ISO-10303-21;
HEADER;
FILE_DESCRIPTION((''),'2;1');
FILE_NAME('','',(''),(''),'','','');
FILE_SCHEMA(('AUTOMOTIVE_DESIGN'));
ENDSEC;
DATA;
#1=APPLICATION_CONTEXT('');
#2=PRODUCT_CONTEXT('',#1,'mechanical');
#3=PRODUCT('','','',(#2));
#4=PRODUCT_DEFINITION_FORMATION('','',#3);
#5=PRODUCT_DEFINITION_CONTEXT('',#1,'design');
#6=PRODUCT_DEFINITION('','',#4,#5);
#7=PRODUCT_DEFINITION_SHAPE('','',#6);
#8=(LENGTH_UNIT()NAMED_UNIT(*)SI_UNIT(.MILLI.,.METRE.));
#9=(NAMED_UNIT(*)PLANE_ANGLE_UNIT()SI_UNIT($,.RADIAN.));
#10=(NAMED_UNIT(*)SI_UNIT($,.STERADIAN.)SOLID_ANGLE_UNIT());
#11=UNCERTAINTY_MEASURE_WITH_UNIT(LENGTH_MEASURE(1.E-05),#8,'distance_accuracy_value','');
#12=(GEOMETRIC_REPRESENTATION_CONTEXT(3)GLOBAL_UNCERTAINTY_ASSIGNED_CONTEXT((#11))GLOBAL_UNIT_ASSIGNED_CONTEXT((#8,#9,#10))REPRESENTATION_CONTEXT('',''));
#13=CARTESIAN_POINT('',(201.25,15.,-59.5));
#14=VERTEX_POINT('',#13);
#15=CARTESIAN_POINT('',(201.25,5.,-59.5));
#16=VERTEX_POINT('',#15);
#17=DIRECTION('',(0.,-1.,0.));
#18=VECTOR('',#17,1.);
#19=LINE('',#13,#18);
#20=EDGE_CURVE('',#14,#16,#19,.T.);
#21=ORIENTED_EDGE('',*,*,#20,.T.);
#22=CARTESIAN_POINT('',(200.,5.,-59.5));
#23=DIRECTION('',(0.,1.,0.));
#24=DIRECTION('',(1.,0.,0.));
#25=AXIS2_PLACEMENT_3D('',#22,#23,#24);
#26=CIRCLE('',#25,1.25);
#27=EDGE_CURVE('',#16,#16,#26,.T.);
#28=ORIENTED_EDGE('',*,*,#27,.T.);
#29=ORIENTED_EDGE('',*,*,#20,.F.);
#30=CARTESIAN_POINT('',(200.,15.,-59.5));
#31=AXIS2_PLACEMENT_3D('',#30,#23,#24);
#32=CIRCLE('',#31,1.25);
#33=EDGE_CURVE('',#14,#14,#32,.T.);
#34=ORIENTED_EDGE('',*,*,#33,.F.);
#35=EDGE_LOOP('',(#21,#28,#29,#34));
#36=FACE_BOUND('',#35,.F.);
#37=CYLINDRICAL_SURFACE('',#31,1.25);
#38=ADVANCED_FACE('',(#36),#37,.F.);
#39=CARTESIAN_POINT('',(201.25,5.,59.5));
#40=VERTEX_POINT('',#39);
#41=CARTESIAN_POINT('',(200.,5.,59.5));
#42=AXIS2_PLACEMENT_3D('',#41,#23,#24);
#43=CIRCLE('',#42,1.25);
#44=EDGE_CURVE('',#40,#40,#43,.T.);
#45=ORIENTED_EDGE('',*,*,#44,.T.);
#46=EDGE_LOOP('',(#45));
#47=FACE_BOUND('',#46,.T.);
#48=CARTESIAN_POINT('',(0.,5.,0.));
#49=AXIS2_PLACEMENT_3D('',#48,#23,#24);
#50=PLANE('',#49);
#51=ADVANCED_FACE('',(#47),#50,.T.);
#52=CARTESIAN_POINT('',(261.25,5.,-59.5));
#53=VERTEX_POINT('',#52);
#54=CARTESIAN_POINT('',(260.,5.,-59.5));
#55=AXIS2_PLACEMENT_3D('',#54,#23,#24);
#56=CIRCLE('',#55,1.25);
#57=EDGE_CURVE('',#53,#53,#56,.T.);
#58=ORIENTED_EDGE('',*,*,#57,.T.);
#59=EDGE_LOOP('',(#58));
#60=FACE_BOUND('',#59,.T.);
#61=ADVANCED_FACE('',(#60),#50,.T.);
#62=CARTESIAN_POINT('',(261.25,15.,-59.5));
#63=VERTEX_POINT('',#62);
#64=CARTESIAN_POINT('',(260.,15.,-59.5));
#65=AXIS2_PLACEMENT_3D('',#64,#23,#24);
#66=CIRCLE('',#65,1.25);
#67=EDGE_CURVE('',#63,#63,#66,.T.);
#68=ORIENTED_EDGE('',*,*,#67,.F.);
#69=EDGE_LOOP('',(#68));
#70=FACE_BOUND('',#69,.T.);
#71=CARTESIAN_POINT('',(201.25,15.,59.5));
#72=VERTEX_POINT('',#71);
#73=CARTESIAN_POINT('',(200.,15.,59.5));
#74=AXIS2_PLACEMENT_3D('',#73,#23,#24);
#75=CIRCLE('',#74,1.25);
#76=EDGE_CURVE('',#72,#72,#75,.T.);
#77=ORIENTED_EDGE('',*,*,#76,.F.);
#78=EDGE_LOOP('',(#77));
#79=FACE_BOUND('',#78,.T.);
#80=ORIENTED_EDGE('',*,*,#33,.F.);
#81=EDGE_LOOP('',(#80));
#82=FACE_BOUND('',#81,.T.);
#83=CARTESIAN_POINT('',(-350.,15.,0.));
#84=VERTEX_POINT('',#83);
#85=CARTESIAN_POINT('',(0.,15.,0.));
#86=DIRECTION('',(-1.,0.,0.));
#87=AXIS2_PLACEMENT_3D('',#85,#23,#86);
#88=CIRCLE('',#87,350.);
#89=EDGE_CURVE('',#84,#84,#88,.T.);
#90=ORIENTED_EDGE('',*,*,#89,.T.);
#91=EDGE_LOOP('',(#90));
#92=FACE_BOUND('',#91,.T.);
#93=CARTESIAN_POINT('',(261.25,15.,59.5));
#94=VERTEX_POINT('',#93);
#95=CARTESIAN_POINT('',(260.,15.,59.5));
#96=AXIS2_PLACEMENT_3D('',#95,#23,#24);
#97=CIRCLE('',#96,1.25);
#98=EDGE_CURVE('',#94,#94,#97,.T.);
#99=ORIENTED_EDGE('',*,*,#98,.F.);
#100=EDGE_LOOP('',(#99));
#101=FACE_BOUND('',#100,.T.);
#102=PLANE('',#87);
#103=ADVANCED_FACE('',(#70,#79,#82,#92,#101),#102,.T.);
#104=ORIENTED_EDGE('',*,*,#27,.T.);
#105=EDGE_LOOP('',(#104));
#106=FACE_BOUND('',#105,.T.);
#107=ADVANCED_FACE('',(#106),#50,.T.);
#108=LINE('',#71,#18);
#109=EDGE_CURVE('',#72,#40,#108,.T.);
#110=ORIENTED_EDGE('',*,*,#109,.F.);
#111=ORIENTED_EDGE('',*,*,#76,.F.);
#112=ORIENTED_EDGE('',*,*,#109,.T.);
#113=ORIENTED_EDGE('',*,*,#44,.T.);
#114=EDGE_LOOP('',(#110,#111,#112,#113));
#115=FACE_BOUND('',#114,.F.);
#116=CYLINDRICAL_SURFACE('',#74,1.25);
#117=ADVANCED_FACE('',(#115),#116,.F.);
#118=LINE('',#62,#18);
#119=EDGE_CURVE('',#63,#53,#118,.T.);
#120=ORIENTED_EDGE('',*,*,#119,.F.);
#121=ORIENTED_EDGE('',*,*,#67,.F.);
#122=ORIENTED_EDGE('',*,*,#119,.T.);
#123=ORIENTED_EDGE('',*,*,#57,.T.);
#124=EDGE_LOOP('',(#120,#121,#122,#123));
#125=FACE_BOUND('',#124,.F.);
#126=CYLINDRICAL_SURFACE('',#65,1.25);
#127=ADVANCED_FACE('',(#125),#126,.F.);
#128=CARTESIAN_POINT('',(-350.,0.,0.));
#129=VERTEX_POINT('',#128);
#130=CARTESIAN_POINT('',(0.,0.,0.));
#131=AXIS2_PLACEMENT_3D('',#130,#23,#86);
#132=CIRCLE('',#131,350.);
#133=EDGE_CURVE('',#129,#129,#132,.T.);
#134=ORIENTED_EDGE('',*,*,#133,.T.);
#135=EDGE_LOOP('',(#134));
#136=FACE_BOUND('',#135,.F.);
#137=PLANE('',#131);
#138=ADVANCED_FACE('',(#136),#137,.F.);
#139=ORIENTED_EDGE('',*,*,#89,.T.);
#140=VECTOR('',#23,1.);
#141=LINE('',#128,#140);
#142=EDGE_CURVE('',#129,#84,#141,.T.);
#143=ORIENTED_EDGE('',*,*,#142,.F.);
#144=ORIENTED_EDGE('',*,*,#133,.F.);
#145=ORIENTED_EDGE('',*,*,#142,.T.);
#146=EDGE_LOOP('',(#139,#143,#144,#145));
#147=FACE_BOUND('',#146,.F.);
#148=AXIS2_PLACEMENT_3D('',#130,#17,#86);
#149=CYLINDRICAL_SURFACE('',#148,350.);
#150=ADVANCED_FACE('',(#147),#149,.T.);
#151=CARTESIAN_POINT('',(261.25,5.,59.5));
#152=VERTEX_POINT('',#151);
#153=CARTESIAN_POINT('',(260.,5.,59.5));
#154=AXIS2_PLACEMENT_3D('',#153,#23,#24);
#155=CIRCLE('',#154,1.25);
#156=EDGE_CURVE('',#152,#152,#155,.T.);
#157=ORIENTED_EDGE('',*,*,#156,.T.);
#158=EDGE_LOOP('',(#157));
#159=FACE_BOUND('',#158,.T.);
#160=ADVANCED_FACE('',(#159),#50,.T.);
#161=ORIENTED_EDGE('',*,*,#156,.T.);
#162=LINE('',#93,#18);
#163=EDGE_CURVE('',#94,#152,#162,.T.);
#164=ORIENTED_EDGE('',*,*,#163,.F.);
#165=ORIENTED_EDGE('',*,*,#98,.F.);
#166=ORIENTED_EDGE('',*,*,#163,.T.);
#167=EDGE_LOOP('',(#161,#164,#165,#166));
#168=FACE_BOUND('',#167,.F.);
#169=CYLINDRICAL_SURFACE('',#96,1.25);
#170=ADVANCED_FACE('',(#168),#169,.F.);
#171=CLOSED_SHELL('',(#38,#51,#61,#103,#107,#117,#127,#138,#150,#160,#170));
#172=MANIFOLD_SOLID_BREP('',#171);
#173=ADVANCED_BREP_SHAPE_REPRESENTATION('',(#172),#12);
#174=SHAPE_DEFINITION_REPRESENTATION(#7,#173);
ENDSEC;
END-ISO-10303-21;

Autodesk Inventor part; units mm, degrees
ref_plane "YZ Plane" through (0, 0, 0) normal (1, 0, 0) x (0, 1, 0)
ref_plane "XZ Plane" through (0, 0, 0) normal (0, 1, 0) x (-1, 0, 0)
ref_plane "XY Plane" through (0, 0, 0) normal (0, 0, 1) x (1, 0, 0)
sketch "Esquisse1" plane through (0, 0, 0) normal (0, 1, 0) x (-1, 0, 0)
  circle A0 centre (0, 0) radius 350
  dimension "d0" = 700
extrude "Extrusion1" add sketch "Esquisse1" along normal blind 15
sketch "Esquisse2" plane through (0, 15, 0) normal (0, 1, 0) x (1, 0, 0)
  circle A0 centre (260, -59.5) radius 1.25
  circle A1 centre (200, -59.5) radius 1.25
  circle A2 centre (200, 59.5) radius 1.25
  circle A3 centre (260, 59.5) radius 1.25
  point P0 (0, 0)
  dimension "d3" = 2.5
  dimension "d4" = 2.5
  dimension "d5" = 2.5
  dimension "d6" = 2.5
  dimension "d7" = 119
  dimension "d8" = 119
  dimension "d9" = 60
  dimension "d10" = 59.5
  dimension "d11" = 200
extrude "Extrusion2" cut sketch "Esquisse2" against normal blind 10
equation "\"d4\" = d3"
equation "\"d5\" = d3"
equation "\"d6\" = d3"
equation "\"d8\" = d7"
equation "\"d10\" = 0.5 * d7"
properties part number "Plateau" material "Bois (Erable)"
